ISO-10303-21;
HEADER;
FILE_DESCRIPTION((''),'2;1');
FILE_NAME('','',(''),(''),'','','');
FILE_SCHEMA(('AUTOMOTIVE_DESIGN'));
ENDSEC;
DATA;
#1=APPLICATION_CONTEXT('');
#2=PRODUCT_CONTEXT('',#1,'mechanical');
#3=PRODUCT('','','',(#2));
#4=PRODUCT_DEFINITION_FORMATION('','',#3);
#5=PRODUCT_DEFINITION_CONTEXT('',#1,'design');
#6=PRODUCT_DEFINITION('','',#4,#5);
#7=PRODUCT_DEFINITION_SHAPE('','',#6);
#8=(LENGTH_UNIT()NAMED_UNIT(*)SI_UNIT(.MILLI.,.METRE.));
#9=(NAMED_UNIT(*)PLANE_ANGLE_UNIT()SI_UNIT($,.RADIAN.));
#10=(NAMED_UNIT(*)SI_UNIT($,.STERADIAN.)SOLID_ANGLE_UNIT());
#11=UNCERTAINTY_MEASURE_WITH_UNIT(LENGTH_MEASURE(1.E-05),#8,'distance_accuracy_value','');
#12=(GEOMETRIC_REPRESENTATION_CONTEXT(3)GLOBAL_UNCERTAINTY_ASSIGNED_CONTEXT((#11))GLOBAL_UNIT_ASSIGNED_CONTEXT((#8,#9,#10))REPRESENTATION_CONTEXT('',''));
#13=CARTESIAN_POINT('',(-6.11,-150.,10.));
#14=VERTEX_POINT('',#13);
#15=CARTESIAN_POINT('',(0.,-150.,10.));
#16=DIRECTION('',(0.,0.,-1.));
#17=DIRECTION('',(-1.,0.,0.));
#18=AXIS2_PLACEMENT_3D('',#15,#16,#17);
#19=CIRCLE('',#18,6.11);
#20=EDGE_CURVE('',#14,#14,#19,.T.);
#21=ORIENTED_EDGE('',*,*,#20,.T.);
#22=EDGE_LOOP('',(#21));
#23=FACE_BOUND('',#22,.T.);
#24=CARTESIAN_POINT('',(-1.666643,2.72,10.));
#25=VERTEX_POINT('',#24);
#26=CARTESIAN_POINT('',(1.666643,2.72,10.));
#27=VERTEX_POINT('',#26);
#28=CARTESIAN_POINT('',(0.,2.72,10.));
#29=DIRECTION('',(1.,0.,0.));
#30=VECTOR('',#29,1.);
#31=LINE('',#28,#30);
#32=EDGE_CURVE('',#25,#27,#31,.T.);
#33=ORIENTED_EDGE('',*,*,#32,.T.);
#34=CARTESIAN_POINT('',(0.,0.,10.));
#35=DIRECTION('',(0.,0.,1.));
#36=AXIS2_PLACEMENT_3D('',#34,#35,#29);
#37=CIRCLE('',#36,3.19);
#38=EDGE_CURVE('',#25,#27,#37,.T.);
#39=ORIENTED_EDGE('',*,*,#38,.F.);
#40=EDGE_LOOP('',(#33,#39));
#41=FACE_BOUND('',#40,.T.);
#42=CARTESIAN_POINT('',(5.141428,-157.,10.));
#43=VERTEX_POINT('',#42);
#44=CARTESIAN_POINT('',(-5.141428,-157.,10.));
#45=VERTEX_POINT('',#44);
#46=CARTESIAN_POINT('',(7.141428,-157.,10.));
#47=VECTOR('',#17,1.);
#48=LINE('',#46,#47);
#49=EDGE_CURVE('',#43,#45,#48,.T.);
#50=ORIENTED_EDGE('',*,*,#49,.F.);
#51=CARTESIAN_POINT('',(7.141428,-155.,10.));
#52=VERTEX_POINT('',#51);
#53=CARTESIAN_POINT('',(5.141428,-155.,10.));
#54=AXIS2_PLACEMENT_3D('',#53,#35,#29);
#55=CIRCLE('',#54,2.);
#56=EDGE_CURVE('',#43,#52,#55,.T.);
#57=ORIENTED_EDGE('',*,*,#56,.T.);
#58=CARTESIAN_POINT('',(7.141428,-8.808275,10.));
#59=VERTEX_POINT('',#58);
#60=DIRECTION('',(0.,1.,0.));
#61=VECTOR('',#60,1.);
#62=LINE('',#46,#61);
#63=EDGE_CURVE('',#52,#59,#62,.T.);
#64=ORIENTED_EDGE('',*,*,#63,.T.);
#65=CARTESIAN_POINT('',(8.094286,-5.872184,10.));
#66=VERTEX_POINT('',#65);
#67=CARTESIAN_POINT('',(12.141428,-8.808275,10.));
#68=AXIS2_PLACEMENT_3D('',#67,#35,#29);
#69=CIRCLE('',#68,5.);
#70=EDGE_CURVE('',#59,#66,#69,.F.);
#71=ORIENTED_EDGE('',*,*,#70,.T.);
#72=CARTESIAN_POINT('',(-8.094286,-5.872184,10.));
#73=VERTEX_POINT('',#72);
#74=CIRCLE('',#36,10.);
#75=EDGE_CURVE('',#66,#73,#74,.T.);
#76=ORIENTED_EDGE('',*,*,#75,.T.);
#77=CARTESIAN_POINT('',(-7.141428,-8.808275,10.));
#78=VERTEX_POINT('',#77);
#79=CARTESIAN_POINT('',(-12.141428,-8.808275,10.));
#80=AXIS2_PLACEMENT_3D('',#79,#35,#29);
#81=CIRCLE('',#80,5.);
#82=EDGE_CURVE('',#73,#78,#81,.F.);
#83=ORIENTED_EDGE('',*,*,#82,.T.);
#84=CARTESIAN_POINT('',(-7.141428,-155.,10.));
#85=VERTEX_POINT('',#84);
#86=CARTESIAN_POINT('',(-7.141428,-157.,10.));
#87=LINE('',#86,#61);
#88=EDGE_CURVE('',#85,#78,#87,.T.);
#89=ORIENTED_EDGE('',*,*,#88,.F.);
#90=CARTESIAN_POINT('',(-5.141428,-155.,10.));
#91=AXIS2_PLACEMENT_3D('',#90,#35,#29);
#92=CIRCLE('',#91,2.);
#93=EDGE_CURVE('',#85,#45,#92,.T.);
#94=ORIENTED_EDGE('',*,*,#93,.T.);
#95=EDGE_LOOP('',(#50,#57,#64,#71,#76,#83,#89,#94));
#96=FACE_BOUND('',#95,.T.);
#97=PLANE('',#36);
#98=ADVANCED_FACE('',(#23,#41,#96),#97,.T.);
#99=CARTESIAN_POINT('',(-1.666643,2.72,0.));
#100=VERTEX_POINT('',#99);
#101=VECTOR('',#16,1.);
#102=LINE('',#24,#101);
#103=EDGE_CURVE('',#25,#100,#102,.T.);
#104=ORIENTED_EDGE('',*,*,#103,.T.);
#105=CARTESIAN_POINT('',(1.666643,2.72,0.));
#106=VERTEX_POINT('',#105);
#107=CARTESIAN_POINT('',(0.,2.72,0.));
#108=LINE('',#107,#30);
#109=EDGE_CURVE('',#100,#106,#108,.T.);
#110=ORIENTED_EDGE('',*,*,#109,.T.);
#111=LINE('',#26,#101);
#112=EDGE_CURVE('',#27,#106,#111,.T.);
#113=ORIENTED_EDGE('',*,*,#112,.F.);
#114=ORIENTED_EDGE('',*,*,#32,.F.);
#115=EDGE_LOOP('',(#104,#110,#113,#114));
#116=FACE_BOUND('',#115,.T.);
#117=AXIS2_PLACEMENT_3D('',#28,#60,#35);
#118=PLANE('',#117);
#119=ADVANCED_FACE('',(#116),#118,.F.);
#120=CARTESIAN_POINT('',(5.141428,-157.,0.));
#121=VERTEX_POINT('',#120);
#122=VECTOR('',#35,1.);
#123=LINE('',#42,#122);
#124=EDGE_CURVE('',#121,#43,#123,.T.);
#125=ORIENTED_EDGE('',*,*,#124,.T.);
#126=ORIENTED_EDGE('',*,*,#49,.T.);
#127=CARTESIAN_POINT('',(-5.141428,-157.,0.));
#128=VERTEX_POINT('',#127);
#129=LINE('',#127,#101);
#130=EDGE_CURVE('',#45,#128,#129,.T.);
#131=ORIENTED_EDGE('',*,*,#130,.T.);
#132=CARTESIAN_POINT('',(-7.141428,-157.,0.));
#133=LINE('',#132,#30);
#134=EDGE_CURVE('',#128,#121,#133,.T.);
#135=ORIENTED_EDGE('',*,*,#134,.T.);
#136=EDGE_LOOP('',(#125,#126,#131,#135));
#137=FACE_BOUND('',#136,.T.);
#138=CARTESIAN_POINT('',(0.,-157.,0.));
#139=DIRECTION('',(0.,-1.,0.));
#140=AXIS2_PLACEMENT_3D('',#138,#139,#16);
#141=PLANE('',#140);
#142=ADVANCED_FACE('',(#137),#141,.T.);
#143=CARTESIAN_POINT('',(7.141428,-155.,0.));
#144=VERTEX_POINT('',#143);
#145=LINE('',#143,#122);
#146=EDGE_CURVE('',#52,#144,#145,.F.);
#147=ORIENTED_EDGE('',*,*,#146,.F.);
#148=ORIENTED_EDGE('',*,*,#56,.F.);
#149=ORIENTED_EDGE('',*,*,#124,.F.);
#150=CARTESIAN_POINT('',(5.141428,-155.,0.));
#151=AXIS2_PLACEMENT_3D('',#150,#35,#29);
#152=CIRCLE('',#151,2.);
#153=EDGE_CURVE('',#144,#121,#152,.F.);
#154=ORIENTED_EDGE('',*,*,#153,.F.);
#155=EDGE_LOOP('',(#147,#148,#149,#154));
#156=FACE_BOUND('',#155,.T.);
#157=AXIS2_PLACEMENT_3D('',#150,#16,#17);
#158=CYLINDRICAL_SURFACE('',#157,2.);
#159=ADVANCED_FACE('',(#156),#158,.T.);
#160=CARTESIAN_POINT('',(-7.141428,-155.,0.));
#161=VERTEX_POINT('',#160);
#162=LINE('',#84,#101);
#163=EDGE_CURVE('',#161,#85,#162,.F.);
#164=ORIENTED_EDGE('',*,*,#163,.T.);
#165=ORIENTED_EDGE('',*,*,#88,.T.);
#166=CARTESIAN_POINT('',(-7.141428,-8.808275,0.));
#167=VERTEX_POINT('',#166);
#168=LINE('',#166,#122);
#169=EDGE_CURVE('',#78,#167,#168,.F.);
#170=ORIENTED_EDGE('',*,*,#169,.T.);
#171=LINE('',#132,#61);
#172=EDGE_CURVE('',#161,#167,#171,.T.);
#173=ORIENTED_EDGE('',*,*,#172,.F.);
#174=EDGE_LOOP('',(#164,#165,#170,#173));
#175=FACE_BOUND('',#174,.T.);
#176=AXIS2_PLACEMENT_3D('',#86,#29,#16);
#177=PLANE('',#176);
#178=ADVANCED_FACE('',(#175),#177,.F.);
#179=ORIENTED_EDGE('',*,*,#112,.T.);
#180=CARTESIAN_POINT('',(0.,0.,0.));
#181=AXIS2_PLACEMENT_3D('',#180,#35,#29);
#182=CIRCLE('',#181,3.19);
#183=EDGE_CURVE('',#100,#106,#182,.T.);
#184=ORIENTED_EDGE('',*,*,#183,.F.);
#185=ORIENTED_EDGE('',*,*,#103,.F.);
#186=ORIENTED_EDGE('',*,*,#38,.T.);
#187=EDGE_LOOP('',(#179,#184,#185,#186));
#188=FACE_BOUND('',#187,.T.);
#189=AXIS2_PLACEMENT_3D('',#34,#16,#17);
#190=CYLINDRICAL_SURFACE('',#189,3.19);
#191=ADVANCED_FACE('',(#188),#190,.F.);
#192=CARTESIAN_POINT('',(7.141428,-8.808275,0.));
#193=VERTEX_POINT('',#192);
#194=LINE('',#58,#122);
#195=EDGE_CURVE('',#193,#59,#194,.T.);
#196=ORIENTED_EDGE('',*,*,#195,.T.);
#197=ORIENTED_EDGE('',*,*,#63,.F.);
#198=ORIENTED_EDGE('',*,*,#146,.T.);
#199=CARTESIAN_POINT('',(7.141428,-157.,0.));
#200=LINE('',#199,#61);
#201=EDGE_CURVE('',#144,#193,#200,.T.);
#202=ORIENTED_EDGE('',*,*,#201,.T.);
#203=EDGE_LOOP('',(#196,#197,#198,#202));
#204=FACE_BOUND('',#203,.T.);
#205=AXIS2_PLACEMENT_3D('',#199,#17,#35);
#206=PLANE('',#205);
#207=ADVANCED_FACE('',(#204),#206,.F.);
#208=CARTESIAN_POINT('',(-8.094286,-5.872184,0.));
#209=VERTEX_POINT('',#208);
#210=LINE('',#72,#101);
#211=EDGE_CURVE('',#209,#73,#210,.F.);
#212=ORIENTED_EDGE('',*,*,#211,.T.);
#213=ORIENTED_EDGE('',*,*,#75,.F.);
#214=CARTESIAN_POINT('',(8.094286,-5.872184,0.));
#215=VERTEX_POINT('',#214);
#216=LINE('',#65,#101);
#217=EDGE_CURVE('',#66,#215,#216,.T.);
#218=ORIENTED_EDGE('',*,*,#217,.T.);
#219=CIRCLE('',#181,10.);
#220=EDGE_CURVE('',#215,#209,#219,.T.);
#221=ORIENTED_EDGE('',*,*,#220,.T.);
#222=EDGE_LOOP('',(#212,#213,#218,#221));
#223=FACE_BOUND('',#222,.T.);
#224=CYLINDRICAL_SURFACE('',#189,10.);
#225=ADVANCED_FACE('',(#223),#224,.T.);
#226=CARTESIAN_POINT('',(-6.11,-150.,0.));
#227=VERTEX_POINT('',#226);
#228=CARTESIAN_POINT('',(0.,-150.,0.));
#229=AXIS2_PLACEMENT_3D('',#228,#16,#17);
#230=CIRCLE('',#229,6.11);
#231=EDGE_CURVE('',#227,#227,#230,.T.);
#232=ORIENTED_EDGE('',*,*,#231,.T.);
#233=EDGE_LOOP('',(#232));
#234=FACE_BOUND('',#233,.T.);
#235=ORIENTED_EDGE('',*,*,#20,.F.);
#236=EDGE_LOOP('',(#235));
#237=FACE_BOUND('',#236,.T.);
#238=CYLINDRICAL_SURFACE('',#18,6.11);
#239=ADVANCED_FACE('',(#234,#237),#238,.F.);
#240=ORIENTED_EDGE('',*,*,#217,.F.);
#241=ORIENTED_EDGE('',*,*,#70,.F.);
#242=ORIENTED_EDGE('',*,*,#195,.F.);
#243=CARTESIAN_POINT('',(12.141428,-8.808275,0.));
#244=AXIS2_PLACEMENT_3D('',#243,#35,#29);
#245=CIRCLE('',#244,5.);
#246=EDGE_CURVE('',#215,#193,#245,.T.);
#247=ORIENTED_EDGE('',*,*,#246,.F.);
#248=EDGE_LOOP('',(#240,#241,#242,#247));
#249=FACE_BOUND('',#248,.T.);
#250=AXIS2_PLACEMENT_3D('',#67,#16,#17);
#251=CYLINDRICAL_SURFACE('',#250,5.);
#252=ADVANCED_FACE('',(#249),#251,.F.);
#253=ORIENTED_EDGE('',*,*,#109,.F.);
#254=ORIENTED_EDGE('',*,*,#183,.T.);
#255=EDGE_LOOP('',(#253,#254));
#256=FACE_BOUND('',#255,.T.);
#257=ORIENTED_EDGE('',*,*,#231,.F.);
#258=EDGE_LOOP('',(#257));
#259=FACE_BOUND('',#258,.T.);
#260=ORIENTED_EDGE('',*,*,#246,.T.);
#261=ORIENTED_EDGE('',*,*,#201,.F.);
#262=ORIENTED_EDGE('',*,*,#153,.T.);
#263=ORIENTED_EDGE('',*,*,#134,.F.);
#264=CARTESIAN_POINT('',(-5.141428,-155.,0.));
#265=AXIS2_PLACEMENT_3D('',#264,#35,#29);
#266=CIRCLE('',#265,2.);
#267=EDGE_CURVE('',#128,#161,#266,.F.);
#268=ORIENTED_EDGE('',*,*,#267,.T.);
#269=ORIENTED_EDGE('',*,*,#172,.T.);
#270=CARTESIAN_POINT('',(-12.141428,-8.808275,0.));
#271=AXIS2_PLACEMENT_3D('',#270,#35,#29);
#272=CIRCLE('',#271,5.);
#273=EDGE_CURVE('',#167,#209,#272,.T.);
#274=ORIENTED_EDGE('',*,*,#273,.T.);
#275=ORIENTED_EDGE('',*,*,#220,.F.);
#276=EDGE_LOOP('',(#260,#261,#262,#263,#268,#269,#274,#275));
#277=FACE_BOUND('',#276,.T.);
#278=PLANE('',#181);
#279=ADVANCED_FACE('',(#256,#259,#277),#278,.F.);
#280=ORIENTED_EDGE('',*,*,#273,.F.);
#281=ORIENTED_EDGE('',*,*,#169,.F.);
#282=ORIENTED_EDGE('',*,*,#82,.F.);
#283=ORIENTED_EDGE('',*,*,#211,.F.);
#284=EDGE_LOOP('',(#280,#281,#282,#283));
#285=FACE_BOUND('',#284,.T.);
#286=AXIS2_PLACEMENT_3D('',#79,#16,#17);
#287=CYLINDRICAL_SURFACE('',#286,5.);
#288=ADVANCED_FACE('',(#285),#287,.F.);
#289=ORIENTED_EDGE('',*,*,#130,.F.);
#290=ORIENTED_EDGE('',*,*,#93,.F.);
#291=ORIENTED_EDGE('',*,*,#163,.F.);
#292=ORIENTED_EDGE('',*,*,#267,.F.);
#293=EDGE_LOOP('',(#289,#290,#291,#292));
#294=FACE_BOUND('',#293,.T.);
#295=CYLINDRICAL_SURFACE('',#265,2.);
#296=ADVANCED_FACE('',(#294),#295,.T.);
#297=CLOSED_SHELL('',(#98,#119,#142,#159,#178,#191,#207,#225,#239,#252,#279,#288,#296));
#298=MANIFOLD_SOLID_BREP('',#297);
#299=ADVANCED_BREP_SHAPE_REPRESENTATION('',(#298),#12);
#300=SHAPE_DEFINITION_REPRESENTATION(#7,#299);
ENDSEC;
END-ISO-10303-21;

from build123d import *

# Parameters (mm, degrees)
SKETCH1_R           = 10
BOSS_EXTRUDE1_DEPTH = 10
CUT_EXTRUDE1_DEPTH  = 10
SKETCH3_W           = 14.282856858
SKETCH3_H           = 10
BOSS_EXTRUDE2_DEPTH = 150
SKETCH4_R           = 6.11
CUT_EXTRUDE2_DEPTH  = 10
FILLET1_R           = 5
FILLET2_R           = 2


with BuildPart() as part:
    # Sketch1 → Boss-Extrude1 (new body)
    with BuildSketch(Plane.XY):
        Circle(SKETCH1_R)
        with BuildLine():
            ThreePointArc((-1.666643333, 2.72), (0, -3.19), (1.666643333, 2.72))
            Line((1.666643333, 2.72), (-1.666643333, 2.72))
        make_face(mode=Mode.SUBTRACT)
    extrude(amount=BOSS_EXTRUDE1_DEPTH)

    # Sketch2 → Cut-Extrude1 (cut)
    with BuildSketch(Plane(origin=(0, 0, 0), x_dir=(-1, 0, 0), z_dir=(0, 0, -1))):
        with BuildLine():
            Line((7.141428429, -7), (-7.141428429, -7))
            ThreePointArc((-7.141428429, -7), (-3.872983346, -9.219544457), (0, -10))
            ThreePointArc((0, -10), (3.872983346, -9.219544457), (7.141428429, -7))
        make_face()
    extrude(amount=-CUT_EXTRUDE1_DEPTH, mode=Mode.SUBTRACT)

    # Sketch3 → Boss-Extrude2 (add)
    with BuildSketch(Plane.XZ.offset(7)):
        with Locations((0, 5)):
            Rectangle(SKETCH3_W, SKETCH3_H)
    extrude(amount=BOSS_EXTRUDE2_DEPTH)

    # Sketch4 → Cut-Extrude2 (cut)
    with BuildSketch(Plane(origin=(0, 0, 0), x_dir=(-1, 0, 0), z_dir=(0, 0, -1))):
        with Locations((0, -150)):
            Circle(SKETCH4_R)
    extrude(amount=-CUT_EXTRUDE2_DEPTH, mode=Mode.SUBTRACT)

    # Fillet1
    fillet1_edges = [part.edges().sort_by_distance(p)[0] for p in [
        (7.141428429, -7, 5),
        (-7.141428429, -7, 5),
    ]]
    fillet(fillet1_edges, radius=FILLET1_R)

    # Fillet2
    fillet2_edges = [part.edges().sort_by_distance(p)[0] for p in [
        (-7.141428429, -157, 5),
        (7.141428429, -157, 5),
    ]]
    fillet(fillet2_edges, radius=FILLET2_R)


solid = part.part
